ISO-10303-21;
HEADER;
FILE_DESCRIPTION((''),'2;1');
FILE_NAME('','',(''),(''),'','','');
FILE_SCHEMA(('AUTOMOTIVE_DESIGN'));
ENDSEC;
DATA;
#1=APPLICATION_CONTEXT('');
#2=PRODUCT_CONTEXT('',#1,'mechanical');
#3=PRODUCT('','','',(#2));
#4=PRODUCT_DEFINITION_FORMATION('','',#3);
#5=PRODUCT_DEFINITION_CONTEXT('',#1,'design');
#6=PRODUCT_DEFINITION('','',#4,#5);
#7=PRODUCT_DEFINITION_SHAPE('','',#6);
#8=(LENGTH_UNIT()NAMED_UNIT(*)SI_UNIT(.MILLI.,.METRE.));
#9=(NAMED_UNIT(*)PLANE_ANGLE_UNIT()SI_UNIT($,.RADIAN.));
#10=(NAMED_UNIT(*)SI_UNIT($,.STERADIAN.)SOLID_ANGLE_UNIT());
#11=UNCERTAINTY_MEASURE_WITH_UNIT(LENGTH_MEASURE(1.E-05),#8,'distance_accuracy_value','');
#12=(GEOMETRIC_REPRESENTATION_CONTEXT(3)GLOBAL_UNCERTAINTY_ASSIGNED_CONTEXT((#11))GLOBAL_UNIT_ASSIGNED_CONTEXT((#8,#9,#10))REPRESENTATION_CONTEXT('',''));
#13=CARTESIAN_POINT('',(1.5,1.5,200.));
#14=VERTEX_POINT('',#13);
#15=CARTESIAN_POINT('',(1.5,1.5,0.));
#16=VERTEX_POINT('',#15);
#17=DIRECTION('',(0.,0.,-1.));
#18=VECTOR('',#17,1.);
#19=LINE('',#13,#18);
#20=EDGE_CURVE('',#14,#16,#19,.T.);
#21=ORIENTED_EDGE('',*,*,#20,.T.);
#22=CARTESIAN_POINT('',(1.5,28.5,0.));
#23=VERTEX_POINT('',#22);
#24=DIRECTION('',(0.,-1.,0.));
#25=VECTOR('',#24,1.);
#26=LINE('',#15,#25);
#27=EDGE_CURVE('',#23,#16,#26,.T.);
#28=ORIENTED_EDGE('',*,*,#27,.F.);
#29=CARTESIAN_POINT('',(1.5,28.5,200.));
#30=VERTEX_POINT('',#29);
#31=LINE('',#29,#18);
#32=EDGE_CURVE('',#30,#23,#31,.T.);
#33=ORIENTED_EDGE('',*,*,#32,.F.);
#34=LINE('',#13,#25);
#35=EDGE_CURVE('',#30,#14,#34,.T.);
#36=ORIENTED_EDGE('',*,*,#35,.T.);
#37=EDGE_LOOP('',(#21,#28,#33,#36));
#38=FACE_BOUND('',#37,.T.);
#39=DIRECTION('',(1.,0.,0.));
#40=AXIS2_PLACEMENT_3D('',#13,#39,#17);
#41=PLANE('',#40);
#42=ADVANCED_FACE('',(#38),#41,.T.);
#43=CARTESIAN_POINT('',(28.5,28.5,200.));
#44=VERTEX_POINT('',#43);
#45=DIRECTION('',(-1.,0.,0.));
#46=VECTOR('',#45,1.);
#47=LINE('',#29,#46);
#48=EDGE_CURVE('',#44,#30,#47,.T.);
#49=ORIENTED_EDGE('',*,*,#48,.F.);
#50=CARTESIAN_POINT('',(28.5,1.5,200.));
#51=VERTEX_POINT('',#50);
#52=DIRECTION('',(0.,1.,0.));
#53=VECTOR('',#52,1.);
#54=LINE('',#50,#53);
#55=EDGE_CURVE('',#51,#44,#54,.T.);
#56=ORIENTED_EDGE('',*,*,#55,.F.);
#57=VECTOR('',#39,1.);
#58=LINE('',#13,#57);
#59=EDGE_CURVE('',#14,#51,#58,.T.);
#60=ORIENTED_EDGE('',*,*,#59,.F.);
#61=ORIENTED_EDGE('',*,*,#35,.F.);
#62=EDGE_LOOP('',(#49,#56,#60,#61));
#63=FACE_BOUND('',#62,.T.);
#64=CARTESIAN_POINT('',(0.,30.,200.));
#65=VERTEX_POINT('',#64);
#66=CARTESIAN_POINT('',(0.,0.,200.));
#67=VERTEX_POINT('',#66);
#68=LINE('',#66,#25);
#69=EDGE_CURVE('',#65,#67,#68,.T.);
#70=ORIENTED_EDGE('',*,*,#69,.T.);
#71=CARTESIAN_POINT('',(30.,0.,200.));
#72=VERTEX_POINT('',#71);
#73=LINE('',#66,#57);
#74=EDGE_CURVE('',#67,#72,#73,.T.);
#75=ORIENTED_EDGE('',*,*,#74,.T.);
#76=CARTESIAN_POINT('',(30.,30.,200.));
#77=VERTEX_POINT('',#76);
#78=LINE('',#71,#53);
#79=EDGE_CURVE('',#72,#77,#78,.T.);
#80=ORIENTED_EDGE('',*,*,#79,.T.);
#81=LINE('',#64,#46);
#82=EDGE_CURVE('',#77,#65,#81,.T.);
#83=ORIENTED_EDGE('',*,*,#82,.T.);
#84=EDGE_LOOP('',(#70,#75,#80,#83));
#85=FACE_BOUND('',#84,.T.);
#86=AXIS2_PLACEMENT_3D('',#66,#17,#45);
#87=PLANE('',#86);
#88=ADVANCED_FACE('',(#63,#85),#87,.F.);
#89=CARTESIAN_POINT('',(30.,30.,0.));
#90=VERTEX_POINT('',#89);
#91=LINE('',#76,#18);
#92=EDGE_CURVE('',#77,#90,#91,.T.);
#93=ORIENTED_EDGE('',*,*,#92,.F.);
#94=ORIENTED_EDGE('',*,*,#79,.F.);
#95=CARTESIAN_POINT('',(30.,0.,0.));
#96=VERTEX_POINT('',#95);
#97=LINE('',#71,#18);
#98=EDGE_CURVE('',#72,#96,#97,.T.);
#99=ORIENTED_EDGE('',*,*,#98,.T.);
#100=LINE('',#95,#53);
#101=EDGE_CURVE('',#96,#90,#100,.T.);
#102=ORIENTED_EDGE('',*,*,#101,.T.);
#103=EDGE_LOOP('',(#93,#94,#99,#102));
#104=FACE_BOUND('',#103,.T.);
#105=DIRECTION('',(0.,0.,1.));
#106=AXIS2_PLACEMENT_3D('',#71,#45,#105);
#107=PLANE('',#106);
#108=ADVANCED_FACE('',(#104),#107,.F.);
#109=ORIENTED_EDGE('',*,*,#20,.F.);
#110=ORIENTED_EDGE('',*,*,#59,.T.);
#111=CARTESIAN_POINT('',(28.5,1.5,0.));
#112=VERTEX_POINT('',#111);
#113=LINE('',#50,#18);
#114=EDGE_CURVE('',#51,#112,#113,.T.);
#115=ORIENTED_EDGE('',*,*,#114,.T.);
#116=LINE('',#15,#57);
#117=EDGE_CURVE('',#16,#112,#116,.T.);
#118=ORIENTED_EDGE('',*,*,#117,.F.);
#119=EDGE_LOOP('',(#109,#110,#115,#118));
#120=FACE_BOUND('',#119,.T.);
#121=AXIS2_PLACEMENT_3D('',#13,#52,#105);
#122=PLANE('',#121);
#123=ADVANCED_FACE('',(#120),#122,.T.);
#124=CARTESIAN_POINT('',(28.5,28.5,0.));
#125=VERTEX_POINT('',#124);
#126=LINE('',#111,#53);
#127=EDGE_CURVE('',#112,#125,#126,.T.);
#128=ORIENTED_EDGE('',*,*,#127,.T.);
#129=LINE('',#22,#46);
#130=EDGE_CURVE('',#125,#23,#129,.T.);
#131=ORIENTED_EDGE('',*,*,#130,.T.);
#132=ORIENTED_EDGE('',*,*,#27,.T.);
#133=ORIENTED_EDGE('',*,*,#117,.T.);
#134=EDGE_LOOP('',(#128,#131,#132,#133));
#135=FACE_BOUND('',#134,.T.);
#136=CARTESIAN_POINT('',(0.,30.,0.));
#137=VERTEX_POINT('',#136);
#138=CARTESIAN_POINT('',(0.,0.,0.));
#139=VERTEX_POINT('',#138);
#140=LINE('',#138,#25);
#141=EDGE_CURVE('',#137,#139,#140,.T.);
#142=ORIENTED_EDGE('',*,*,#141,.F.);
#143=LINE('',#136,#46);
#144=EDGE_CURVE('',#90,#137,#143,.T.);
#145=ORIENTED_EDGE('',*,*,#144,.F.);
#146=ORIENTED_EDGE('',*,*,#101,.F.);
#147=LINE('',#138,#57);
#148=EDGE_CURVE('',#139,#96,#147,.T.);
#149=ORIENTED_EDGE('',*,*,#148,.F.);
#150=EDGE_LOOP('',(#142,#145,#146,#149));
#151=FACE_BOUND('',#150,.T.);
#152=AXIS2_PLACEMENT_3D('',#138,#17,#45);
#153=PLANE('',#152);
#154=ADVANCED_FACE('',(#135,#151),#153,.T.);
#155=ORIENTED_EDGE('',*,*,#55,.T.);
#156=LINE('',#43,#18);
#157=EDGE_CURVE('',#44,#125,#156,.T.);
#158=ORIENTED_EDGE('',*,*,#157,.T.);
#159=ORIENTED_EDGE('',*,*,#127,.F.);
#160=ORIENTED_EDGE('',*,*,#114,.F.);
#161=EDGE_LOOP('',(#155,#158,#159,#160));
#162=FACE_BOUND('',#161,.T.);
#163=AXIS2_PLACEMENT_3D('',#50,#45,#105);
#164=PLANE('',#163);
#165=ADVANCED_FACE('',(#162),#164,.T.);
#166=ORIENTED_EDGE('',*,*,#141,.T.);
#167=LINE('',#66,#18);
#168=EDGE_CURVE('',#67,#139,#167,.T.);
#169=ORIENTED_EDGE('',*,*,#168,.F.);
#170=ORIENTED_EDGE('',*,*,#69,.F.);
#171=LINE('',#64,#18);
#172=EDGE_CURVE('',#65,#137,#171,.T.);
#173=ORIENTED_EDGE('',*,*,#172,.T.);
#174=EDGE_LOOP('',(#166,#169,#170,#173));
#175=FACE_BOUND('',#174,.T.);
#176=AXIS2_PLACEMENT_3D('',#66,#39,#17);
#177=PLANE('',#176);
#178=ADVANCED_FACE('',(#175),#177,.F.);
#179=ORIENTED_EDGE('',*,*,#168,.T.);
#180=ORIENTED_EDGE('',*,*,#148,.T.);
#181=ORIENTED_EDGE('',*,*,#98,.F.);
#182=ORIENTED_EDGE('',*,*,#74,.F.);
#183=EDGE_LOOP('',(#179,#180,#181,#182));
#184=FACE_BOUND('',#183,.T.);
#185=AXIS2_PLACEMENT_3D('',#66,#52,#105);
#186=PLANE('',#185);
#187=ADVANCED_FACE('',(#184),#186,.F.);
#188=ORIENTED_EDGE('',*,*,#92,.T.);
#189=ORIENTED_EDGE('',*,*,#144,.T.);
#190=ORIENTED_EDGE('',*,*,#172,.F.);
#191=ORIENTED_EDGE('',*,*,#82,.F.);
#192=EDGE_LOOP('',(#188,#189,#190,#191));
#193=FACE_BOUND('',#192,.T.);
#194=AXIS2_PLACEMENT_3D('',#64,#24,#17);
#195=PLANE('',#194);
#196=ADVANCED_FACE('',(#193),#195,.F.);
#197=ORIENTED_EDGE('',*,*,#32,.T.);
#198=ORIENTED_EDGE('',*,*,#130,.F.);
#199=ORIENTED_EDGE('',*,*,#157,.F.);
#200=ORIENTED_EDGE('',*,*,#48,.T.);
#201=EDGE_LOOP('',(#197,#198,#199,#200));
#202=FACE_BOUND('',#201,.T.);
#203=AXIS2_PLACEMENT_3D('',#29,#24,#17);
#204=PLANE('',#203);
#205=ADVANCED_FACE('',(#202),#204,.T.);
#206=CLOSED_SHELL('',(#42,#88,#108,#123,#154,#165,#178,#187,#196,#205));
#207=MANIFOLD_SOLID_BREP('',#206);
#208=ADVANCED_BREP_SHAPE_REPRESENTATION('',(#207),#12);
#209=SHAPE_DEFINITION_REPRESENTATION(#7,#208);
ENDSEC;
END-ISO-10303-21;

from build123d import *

# Parameters (mm, degrees)
SKETCH1_W           = 30
SKETCH1_H           = 30
SKETCH1_W_2         = 27
SKETCH1_H_2         = 27
BOSS_EXTRUDE1_DEPTH = 200


with BuildPart() as part:
    # Sketch1 → Boss-Extrude1 (new body)
    with BuildSketch(Plane.XY):
        with Locations((15, 15)):
            Rectangle(SKETCH1_W, SKETCH1_H)
        with Locations((15, 15)):
            Rectangle(SKETCH1_W_2, SKETCH1_H_2, mode=Mode.SUBTRACT)
    extrude(amount=BOSS_EXTRUDE1_DEPTH)


solid = part.part
